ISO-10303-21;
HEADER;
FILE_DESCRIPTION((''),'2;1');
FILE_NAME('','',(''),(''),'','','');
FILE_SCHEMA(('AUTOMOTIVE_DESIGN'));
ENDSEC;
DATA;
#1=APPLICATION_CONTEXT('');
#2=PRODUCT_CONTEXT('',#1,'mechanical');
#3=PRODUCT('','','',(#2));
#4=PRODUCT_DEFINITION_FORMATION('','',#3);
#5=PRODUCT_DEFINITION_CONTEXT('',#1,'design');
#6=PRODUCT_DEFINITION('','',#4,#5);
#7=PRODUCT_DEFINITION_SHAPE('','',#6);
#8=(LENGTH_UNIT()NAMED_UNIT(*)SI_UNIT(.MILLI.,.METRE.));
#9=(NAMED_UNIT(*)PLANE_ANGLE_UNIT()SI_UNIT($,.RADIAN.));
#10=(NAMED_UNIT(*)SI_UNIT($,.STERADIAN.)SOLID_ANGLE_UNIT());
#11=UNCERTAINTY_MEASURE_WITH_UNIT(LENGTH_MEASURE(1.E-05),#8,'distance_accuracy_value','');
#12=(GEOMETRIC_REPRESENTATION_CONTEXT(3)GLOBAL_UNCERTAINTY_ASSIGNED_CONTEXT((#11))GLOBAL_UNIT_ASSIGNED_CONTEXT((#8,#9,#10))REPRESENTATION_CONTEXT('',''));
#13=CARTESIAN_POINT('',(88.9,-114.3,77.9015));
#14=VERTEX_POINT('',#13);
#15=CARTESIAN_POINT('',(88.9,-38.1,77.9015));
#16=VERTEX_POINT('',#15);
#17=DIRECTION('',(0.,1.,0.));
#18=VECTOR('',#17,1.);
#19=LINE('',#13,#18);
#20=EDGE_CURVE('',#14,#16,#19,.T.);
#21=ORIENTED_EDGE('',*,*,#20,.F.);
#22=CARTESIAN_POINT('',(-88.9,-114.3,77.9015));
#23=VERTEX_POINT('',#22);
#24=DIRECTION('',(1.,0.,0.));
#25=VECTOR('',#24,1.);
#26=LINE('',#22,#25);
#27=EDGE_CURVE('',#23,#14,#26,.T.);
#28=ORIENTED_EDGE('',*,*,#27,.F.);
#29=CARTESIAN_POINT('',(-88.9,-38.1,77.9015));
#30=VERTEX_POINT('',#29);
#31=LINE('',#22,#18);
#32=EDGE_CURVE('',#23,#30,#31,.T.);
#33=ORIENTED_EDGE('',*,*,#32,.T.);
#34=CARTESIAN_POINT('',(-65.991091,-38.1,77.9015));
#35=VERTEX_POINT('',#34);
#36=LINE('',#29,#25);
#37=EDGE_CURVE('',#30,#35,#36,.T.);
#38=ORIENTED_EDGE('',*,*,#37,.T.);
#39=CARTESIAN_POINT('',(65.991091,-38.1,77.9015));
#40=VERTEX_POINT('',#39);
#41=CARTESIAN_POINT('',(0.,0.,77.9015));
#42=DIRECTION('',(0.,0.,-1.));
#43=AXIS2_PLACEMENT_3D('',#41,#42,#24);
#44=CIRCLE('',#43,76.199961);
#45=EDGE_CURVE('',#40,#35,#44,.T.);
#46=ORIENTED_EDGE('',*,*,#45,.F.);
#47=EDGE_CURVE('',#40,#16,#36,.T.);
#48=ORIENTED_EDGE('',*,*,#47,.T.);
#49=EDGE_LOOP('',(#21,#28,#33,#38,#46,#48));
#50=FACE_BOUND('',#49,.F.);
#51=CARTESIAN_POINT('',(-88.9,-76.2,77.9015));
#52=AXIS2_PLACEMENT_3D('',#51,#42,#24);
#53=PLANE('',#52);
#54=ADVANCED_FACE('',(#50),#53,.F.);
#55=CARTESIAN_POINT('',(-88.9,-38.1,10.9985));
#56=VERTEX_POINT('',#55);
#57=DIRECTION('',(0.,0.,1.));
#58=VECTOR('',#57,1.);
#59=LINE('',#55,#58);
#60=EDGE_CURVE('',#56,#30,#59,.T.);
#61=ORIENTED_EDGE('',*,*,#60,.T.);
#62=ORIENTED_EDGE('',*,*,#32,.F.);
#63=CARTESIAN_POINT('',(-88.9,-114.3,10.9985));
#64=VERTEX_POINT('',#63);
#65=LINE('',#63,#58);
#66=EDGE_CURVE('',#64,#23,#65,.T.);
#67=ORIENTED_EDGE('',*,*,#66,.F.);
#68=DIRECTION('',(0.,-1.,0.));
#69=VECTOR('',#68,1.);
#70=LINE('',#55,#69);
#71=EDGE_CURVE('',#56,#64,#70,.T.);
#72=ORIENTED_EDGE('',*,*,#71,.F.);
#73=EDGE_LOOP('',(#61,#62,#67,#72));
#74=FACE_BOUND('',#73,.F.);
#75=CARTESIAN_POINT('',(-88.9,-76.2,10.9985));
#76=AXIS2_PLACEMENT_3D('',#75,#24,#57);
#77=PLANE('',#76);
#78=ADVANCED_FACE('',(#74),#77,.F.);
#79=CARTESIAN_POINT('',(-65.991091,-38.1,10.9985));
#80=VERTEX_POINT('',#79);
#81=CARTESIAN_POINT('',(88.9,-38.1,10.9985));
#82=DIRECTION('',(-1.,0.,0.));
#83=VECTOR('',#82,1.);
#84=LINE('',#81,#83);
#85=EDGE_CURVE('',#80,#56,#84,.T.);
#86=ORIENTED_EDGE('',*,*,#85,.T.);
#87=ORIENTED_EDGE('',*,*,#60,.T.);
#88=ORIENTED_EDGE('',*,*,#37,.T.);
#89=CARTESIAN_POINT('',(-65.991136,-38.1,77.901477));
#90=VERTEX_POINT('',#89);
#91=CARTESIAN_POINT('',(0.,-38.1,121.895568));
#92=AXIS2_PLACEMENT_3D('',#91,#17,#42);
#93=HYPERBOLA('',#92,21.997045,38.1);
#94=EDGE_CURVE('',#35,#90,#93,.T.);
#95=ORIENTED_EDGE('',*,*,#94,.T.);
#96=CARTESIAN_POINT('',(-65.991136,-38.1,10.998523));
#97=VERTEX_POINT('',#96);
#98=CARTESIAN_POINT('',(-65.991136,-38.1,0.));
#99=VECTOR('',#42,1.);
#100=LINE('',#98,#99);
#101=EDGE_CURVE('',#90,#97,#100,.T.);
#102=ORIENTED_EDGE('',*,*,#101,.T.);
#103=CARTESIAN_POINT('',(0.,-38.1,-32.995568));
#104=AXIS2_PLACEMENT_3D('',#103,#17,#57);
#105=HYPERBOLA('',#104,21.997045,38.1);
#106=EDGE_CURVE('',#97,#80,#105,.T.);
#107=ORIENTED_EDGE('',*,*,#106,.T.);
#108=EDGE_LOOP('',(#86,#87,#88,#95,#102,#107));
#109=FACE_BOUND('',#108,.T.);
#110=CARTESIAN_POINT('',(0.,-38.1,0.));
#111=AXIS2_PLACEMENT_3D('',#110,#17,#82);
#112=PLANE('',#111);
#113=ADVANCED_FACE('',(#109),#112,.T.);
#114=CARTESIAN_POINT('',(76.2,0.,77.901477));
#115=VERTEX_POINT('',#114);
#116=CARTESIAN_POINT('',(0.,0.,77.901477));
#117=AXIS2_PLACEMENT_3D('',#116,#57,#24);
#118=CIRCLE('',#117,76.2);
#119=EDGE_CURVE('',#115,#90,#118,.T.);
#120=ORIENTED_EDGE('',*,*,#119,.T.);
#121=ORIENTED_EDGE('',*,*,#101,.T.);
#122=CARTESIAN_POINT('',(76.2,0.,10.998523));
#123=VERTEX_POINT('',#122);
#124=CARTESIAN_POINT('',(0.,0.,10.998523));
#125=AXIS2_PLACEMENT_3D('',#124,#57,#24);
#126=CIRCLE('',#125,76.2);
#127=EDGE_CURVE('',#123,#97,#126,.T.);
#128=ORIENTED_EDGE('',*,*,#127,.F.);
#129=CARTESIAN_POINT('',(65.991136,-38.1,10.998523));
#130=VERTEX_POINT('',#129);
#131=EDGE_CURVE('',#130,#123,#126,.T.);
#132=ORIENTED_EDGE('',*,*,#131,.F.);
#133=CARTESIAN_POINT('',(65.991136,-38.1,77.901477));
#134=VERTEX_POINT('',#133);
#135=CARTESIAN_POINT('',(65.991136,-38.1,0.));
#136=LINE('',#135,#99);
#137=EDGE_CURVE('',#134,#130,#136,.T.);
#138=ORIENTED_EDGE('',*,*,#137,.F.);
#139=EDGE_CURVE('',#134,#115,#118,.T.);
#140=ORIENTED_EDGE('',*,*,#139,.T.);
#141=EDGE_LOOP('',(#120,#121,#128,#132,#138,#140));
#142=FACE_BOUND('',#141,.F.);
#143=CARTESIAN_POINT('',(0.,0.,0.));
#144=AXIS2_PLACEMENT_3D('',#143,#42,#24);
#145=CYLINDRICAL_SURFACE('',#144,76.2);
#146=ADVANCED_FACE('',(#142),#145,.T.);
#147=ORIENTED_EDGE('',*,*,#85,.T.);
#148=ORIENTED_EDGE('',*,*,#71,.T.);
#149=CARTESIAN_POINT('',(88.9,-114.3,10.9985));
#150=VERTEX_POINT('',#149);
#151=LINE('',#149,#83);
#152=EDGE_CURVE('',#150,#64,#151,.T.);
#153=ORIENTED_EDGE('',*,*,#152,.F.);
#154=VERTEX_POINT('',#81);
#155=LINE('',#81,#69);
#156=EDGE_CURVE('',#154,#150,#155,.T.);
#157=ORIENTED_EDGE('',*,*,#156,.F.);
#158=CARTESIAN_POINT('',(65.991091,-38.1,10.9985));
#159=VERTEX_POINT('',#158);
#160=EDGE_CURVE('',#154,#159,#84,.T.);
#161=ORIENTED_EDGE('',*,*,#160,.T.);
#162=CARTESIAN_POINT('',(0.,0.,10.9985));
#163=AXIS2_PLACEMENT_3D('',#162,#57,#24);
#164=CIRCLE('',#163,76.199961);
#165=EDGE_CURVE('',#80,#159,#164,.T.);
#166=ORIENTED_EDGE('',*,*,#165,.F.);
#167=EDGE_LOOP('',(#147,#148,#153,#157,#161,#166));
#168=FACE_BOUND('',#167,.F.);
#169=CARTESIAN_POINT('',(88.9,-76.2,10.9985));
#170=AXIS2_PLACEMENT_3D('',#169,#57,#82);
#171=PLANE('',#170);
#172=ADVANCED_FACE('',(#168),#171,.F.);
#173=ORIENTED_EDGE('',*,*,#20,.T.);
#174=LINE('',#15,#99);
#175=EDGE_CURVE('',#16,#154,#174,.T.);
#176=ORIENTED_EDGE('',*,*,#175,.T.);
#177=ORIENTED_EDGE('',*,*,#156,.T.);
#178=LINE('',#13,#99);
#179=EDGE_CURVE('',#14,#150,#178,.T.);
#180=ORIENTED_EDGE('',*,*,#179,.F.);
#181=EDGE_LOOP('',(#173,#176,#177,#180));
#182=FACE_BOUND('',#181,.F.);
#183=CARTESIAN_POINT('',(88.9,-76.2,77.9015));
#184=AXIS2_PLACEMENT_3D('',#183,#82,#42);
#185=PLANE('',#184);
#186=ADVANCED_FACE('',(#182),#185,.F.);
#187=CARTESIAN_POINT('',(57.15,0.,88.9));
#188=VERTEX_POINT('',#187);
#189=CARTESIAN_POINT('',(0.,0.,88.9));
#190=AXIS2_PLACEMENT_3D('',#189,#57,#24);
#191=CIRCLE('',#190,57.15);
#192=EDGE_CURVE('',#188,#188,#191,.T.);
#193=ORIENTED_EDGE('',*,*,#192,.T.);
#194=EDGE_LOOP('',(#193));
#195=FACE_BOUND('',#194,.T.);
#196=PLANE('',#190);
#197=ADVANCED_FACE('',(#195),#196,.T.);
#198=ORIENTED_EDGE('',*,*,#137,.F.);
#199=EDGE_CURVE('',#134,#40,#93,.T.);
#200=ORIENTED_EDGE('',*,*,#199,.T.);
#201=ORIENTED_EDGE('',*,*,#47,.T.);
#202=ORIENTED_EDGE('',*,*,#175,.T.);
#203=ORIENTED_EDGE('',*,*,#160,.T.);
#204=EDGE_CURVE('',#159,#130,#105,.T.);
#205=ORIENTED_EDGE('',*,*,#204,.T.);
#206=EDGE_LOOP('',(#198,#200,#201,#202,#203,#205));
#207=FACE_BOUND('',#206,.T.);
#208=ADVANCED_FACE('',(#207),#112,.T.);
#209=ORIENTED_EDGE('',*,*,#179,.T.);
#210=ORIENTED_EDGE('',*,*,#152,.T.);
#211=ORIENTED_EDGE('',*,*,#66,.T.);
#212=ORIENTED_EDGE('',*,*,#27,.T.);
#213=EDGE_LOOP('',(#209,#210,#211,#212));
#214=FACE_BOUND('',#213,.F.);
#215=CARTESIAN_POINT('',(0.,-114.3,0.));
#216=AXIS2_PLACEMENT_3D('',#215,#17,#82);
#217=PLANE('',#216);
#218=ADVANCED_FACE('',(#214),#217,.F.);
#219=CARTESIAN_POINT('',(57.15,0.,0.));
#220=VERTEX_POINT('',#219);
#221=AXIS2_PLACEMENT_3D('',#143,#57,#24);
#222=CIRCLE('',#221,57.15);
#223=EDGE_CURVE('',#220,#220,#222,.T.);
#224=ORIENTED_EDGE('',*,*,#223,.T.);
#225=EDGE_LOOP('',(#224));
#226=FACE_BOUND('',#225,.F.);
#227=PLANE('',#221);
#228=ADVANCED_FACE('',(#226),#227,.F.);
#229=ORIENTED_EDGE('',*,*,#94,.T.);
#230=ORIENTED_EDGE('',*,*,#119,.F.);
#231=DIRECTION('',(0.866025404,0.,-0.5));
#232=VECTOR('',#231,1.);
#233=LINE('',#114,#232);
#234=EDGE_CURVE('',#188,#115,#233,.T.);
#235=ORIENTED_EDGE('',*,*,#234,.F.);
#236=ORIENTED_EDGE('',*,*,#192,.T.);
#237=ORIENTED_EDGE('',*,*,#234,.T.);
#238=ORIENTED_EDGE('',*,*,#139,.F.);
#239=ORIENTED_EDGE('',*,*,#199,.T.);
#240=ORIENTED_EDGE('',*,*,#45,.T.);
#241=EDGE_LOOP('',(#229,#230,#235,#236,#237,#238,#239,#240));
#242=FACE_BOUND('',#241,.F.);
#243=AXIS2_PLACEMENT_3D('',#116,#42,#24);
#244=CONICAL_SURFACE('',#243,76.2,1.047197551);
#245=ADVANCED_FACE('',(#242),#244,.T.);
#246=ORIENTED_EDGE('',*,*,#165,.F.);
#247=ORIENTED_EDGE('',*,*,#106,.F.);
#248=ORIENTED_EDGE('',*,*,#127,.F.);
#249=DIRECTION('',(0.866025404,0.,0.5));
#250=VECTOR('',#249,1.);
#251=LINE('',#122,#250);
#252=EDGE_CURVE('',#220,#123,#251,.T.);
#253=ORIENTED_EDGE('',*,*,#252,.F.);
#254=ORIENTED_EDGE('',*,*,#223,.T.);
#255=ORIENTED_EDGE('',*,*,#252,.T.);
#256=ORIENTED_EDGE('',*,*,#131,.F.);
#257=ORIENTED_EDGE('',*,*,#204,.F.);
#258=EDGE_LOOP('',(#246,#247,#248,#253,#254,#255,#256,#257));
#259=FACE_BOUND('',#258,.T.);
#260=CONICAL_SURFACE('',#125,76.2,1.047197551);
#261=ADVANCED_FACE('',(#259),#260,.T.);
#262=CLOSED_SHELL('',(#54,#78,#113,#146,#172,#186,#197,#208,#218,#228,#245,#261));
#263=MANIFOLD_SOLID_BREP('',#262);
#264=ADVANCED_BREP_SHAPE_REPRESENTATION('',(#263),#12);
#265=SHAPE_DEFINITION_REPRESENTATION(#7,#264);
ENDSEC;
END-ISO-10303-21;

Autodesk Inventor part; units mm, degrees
ref_plane "YZ Plane" through (0, 0, 0) normal (1, 0, 0) x (0, 1, 0)
ref_plane "XY Plane" through (0, 0, 0) normal (0, 0, 1) x (1, 0, 0)
sketch "Sketch2" plane through (0, 0, 0) normal (0, 0, 1) x (1, 0, 0)
  circle A0 centre (0, 0) radius 76.2
  dimension "d7" = 152.4
extrude "Extrusion2" add sketch "Sketch2" along normal blind 88.9
chamfer "Chamfer1" distance 19.05 angle 30 1 edges at (-76.2, 0, 88.9) measured on face at (-0.8389, -20.4706, 88.9)
chamfer "Chamfer2" distance 19.05 angle 30 1 edges at (-76.2, 0, 0) measured on face at (-0.8389, -20.4706, 0)
ref_plane "Work Plane1" through (0, -76.2, 0) normal (0, 1, 0) x (-1, 0, 0)
sketch "Sketch10" plane through (0, -76.2, 0) normal (0, 1, 0) x (-1, 0, 0)
  line L0 (88.9, 77.9015) -> (-88.9, 77.9015)
  line L1 (-88.9, 77.9015) -> (-88.9, 10.9985)
  line L2 (-88.9, 10.9985) -> (88.9, 10.9985)
  line L3 (88.9, 10.9985) -> (88.9, 77.9015)
  line L4 (-76.2, 10.9985) -> (76.2, 10.9985) construction
  line L5 (76.2, 77.9015) -> (-76.2, 77.9015) construction
  line L6 (0, -18.1203) -> (0, 108.7218) construction
  dimension "d46" = 88.9
  dimension "d47" = 88.9
extrude "Extrusion11" add sketch "Sketch10" along normal mid plane 76.2
properties part number "transmission_box_l_to_r"
